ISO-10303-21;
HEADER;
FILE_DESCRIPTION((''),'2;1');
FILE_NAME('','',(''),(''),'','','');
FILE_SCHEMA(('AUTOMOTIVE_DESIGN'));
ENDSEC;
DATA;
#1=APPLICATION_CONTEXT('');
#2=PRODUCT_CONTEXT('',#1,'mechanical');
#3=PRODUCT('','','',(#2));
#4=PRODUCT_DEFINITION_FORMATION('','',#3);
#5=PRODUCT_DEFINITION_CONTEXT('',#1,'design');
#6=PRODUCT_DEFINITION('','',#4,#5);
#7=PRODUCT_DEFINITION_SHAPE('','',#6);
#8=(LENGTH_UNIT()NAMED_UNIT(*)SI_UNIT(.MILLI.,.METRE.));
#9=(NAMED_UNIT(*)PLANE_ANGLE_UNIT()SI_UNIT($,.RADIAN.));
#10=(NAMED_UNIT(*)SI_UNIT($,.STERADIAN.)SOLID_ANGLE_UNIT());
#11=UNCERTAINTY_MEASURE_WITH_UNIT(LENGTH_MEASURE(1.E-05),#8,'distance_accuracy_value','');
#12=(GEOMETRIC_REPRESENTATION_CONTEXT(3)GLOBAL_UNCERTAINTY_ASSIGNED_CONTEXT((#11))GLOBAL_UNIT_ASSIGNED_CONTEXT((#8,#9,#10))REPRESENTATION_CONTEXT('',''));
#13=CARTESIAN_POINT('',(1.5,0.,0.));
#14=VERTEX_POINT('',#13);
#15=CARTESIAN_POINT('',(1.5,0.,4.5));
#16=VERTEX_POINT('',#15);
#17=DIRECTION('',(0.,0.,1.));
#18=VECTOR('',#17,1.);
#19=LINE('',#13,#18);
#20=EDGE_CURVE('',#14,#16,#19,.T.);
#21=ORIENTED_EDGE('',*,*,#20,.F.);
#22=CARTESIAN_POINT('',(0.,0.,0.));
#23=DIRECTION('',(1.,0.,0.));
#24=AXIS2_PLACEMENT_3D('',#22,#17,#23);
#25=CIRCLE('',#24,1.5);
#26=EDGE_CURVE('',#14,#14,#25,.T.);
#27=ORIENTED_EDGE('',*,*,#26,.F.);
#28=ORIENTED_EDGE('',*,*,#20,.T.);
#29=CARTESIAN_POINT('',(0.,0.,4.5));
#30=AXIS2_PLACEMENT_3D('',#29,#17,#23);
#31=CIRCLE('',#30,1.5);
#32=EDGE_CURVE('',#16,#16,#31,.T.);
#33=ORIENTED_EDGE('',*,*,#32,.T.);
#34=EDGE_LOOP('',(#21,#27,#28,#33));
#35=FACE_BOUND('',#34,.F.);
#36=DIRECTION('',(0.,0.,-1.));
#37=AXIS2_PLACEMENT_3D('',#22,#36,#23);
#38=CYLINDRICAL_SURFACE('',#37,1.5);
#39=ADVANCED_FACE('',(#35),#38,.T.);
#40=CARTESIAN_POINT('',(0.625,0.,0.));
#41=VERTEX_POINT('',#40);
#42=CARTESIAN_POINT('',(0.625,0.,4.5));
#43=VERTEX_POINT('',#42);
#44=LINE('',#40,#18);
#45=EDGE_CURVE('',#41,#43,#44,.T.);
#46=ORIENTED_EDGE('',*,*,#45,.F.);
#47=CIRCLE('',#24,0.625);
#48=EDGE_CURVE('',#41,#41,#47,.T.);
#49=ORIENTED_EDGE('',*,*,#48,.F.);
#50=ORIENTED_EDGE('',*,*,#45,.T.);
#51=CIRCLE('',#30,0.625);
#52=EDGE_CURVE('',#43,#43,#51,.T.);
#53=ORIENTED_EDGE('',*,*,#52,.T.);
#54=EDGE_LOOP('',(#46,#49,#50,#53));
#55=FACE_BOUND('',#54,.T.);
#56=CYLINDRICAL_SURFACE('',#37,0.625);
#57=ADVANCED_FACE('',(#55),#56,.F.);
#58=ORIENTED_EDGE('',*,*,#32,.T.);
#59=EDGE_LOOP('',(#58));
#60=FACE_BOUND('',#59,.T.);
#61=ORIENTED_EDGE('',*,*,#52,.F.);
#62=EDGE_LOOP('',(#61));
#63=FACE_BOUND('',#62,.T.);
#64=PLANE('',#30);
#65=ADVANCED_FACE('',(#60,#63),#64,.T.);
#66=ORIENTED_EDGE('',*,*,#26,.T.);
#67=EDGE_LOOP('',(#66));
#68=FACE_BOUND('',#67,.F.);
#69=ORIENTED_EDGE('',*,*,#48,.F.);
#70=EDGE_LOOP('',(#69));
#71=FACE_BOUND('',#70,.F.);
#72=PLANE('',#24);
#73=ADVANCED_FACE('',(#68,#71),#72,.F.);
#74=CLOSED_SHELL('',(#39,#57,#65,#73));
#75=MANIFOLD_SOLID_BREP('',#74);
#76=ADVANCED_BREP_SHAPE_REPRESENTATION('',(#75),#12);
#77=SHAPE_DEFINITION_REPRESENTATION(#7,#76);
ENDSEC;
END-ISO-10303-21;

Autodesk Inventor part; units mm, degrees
ref_plane "YZ Plane" through (0, 0, 0) normal (1, 0, 0) x (0, 1, 0)
ref_plane "XZ Plane" through (0, 0, 0) normal (0, 1, 0) x (-1, 0, 0)
ref_plane "XY Plane" through (0, 0, 0) normal (0, 0, 1) x (1, 0, 0)
sketch "スケッチ1" plane through (0, 0, 0) normal (0, 0, 1) x (1, 0, 0)
  circle A0 centre (0, 0) radius 0.625
  circle A1 centre (0, 0) radius 1.5
  circle A2 centre (0, 0) radius 0.8 construction
  dimension "d0" = 1.25
  dimension "d1" = 3
  dimension "d2" = 1.6
extrude "押し出し1" add sketch "スケッチ1" along normal blind 4.5
properties part number "spacer_m1.6_circuit"
